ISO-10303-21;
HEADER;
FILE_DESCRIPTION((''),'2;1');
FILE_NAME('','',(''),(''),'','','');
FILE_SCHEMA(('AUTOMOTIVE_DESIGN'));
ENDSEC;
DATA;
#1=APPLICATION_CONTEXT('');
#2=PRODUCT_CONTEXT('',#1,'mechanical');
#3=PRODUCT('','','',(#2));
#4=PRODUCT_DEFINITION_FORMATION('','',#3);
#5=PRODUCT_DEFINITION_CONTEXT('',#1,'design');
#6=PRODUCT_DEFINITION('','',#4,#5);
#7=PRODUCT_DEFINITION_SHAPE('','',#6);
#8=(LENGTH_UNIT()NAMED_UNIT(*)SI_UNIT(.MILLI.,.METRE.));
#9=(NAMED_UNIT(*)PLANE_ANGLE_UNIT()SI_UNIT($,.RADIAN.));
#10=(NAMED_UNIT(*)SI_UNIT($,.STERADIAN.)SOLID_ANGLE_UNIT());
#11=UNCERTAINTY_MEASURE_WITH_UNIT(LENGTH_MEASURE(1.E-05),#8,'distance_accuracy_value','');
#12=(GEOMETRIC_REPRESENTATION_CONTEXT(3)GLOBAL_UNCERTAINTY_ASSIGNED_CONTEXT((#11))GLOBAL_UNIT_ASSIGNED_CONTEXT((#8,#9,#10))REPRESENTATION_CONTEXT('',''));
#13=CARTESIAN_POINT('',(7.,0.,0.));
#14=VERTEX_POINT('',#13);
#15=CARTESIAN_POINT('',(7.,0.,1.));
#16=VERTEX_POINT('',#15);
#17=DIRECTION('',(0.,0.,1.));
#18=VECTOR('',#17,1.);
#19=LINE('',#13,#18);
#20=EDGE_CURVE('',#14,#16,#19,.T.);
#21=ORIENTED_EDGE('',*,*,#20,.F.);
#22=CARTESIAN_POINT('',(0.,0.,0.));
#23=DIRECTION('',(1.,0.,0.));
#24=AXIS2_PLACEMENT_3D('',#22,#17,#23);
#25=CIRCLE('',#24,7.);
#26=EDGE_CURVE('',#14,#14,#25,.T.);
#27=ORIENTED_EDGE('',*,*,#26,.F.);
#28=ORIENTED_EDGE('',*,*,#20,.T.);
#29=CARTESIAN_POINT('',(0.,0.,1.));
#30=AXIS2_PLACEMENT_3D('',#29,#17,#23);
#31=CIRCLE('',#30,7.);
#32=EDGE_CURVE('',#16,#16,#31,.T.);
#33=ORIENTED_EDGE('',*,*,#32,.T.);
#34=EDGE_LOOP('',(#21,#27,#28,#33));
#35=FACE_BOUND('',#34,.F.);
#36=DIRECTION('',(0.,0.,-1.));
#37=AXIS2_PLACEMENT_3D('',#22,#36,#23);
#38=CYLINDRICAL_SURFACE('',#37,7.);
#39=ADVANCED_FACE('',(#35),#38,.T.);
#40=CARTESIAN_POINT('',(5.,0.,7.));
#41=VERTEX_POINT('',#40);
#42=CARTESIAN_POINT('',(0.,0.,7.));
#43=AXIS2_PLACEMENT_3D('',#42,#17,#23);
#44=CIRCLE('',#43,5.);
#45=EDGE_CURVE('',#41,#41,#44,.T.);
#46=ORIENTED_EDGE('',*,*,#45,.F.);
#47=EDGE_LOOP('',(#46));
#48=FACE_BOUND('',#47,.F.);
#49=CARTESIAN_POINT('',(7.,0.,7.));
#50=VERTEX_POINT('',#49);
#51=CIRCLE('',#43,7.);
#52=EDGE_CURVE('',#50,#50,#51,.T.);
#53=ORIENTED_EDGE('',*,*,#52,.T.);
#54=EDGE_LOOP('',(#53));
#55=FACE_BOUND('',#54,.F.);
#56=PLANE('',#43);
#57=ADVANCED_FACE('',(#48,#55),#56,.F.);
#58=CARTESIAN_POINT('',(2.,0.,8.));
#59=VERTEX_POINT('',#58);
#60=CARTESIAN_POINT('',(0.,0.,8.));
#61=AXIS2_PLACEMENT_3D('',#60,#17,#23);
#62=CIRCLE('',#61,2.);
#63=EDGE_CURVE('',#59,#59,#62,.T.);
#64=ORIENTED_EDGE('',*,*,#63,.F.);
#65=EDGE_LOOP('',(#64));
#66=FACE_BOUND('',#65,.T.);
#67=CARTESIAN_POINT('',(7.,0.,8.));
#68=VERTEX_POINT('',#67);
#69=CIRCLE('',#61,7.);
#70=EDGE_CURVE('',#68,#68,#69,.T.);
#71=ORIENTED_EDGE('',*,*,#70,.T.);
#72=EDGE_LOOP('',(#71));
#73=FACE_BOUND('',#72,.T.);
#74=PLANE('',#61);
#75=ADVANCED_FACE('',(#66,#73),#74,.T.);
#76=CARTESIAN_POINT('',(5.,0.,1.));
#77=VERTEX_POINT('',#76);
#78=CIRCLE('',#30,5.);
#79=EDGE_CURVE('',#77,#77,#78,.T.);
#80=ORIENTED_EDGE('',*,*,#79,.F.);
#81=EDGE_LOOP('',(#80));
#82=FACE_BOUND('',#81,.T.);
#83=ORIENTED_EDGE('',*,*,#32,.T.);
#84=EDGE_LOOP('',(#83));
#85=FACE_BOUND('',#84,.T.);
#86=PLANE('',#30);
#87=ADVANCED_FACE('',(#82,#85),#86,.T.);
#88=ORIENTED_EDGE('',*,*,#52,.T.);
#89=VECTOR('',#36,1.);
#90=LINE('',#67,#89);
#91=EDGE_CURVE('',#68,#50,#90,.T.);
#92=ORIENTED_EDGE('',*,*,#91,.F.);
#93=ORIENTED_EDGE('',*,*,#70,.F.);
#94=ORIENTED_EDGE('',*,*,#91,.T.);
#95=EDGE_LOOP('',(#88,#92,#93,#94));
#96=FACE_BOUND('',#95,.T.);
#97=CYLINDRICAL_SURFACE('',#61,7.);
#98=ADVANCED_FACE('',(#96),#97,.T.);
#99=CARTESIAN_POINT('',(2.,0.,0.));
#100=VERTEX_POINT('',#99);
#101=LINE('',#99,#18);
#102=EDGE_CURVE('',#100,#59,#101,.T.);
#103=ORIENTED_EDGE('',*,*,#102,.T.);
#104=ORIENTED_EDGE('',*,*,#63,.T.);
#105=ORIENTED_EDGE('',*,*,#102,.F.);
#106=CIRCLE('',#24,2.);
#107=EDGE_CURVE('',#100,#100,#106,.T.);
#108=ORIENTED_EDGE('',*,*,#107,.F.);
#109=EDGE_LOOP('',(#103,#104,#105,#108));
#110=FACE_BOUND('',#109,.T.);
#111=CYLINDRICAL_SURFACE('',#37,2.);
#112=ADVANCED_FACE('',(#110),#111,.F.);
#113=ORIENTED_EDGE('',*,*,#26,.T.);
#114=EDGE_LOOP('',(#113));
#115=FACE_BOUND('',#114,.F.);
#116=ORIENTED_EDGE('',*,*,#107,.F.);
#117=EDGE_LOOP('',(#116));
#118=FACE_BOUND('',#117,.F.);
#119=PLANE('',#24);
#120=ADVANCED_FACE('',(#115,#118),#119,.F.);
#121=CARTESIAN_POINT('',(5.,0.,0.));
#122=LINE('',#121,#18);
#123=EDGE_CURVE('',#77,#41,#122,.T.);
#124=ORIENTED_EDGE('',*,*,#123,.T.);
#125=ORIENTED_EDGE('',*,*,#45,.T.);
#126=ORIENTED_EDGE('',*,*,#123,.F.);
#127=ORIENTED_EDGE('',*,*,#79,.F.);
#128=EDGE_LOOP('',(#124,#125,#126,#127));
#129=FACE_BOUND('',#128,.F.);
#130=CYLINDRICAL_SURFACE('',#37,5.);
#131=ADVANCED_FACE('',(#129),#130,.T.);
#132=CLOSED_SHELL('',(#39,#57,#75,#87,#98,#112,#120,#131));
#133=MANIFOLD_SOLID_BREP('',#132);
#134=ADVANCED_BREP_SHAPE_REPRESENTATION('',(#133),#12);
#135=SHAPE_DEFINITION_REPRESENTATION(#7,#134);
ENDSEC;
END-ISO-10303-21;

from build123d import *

# Parameters (mm, degrees)
F0_R     = 5
F0_R_2   = 2
F1_DEPTH = 8
F0_R_3   = 7
F2_DEPTH = 1
F3_R     = 7
F3_R_2   = 5
F4_DEPTH = 1


with BuildPart() as f1:
    # F0 (on Top) → F1 (new body)
    with BuildSketch(Plane.XY):
        Circle(F0_R)
        Circle(F0_R_2, mode=Mode.SUBTRACT)
    extrude(amount=F1_DEPTH)

    # F0 (on Top) → F2 (join)
    with BuildSketch(Plane.XY):
        Circle(F0_R_3)
        Circle(F0_R, mode=Mode.SUBTRACT)
    extrude(amount=F2_DEPTH)

    # F3 (on face) → F4 (join)
    with BuildSketch(Plane.XY.offset(8)):
        Circle(F3_R)
        Circle(F3_R_2, mode=Mode.SUBTRACT)
    extrude(amount=-F4_DEPTH)


solid = f1.part
